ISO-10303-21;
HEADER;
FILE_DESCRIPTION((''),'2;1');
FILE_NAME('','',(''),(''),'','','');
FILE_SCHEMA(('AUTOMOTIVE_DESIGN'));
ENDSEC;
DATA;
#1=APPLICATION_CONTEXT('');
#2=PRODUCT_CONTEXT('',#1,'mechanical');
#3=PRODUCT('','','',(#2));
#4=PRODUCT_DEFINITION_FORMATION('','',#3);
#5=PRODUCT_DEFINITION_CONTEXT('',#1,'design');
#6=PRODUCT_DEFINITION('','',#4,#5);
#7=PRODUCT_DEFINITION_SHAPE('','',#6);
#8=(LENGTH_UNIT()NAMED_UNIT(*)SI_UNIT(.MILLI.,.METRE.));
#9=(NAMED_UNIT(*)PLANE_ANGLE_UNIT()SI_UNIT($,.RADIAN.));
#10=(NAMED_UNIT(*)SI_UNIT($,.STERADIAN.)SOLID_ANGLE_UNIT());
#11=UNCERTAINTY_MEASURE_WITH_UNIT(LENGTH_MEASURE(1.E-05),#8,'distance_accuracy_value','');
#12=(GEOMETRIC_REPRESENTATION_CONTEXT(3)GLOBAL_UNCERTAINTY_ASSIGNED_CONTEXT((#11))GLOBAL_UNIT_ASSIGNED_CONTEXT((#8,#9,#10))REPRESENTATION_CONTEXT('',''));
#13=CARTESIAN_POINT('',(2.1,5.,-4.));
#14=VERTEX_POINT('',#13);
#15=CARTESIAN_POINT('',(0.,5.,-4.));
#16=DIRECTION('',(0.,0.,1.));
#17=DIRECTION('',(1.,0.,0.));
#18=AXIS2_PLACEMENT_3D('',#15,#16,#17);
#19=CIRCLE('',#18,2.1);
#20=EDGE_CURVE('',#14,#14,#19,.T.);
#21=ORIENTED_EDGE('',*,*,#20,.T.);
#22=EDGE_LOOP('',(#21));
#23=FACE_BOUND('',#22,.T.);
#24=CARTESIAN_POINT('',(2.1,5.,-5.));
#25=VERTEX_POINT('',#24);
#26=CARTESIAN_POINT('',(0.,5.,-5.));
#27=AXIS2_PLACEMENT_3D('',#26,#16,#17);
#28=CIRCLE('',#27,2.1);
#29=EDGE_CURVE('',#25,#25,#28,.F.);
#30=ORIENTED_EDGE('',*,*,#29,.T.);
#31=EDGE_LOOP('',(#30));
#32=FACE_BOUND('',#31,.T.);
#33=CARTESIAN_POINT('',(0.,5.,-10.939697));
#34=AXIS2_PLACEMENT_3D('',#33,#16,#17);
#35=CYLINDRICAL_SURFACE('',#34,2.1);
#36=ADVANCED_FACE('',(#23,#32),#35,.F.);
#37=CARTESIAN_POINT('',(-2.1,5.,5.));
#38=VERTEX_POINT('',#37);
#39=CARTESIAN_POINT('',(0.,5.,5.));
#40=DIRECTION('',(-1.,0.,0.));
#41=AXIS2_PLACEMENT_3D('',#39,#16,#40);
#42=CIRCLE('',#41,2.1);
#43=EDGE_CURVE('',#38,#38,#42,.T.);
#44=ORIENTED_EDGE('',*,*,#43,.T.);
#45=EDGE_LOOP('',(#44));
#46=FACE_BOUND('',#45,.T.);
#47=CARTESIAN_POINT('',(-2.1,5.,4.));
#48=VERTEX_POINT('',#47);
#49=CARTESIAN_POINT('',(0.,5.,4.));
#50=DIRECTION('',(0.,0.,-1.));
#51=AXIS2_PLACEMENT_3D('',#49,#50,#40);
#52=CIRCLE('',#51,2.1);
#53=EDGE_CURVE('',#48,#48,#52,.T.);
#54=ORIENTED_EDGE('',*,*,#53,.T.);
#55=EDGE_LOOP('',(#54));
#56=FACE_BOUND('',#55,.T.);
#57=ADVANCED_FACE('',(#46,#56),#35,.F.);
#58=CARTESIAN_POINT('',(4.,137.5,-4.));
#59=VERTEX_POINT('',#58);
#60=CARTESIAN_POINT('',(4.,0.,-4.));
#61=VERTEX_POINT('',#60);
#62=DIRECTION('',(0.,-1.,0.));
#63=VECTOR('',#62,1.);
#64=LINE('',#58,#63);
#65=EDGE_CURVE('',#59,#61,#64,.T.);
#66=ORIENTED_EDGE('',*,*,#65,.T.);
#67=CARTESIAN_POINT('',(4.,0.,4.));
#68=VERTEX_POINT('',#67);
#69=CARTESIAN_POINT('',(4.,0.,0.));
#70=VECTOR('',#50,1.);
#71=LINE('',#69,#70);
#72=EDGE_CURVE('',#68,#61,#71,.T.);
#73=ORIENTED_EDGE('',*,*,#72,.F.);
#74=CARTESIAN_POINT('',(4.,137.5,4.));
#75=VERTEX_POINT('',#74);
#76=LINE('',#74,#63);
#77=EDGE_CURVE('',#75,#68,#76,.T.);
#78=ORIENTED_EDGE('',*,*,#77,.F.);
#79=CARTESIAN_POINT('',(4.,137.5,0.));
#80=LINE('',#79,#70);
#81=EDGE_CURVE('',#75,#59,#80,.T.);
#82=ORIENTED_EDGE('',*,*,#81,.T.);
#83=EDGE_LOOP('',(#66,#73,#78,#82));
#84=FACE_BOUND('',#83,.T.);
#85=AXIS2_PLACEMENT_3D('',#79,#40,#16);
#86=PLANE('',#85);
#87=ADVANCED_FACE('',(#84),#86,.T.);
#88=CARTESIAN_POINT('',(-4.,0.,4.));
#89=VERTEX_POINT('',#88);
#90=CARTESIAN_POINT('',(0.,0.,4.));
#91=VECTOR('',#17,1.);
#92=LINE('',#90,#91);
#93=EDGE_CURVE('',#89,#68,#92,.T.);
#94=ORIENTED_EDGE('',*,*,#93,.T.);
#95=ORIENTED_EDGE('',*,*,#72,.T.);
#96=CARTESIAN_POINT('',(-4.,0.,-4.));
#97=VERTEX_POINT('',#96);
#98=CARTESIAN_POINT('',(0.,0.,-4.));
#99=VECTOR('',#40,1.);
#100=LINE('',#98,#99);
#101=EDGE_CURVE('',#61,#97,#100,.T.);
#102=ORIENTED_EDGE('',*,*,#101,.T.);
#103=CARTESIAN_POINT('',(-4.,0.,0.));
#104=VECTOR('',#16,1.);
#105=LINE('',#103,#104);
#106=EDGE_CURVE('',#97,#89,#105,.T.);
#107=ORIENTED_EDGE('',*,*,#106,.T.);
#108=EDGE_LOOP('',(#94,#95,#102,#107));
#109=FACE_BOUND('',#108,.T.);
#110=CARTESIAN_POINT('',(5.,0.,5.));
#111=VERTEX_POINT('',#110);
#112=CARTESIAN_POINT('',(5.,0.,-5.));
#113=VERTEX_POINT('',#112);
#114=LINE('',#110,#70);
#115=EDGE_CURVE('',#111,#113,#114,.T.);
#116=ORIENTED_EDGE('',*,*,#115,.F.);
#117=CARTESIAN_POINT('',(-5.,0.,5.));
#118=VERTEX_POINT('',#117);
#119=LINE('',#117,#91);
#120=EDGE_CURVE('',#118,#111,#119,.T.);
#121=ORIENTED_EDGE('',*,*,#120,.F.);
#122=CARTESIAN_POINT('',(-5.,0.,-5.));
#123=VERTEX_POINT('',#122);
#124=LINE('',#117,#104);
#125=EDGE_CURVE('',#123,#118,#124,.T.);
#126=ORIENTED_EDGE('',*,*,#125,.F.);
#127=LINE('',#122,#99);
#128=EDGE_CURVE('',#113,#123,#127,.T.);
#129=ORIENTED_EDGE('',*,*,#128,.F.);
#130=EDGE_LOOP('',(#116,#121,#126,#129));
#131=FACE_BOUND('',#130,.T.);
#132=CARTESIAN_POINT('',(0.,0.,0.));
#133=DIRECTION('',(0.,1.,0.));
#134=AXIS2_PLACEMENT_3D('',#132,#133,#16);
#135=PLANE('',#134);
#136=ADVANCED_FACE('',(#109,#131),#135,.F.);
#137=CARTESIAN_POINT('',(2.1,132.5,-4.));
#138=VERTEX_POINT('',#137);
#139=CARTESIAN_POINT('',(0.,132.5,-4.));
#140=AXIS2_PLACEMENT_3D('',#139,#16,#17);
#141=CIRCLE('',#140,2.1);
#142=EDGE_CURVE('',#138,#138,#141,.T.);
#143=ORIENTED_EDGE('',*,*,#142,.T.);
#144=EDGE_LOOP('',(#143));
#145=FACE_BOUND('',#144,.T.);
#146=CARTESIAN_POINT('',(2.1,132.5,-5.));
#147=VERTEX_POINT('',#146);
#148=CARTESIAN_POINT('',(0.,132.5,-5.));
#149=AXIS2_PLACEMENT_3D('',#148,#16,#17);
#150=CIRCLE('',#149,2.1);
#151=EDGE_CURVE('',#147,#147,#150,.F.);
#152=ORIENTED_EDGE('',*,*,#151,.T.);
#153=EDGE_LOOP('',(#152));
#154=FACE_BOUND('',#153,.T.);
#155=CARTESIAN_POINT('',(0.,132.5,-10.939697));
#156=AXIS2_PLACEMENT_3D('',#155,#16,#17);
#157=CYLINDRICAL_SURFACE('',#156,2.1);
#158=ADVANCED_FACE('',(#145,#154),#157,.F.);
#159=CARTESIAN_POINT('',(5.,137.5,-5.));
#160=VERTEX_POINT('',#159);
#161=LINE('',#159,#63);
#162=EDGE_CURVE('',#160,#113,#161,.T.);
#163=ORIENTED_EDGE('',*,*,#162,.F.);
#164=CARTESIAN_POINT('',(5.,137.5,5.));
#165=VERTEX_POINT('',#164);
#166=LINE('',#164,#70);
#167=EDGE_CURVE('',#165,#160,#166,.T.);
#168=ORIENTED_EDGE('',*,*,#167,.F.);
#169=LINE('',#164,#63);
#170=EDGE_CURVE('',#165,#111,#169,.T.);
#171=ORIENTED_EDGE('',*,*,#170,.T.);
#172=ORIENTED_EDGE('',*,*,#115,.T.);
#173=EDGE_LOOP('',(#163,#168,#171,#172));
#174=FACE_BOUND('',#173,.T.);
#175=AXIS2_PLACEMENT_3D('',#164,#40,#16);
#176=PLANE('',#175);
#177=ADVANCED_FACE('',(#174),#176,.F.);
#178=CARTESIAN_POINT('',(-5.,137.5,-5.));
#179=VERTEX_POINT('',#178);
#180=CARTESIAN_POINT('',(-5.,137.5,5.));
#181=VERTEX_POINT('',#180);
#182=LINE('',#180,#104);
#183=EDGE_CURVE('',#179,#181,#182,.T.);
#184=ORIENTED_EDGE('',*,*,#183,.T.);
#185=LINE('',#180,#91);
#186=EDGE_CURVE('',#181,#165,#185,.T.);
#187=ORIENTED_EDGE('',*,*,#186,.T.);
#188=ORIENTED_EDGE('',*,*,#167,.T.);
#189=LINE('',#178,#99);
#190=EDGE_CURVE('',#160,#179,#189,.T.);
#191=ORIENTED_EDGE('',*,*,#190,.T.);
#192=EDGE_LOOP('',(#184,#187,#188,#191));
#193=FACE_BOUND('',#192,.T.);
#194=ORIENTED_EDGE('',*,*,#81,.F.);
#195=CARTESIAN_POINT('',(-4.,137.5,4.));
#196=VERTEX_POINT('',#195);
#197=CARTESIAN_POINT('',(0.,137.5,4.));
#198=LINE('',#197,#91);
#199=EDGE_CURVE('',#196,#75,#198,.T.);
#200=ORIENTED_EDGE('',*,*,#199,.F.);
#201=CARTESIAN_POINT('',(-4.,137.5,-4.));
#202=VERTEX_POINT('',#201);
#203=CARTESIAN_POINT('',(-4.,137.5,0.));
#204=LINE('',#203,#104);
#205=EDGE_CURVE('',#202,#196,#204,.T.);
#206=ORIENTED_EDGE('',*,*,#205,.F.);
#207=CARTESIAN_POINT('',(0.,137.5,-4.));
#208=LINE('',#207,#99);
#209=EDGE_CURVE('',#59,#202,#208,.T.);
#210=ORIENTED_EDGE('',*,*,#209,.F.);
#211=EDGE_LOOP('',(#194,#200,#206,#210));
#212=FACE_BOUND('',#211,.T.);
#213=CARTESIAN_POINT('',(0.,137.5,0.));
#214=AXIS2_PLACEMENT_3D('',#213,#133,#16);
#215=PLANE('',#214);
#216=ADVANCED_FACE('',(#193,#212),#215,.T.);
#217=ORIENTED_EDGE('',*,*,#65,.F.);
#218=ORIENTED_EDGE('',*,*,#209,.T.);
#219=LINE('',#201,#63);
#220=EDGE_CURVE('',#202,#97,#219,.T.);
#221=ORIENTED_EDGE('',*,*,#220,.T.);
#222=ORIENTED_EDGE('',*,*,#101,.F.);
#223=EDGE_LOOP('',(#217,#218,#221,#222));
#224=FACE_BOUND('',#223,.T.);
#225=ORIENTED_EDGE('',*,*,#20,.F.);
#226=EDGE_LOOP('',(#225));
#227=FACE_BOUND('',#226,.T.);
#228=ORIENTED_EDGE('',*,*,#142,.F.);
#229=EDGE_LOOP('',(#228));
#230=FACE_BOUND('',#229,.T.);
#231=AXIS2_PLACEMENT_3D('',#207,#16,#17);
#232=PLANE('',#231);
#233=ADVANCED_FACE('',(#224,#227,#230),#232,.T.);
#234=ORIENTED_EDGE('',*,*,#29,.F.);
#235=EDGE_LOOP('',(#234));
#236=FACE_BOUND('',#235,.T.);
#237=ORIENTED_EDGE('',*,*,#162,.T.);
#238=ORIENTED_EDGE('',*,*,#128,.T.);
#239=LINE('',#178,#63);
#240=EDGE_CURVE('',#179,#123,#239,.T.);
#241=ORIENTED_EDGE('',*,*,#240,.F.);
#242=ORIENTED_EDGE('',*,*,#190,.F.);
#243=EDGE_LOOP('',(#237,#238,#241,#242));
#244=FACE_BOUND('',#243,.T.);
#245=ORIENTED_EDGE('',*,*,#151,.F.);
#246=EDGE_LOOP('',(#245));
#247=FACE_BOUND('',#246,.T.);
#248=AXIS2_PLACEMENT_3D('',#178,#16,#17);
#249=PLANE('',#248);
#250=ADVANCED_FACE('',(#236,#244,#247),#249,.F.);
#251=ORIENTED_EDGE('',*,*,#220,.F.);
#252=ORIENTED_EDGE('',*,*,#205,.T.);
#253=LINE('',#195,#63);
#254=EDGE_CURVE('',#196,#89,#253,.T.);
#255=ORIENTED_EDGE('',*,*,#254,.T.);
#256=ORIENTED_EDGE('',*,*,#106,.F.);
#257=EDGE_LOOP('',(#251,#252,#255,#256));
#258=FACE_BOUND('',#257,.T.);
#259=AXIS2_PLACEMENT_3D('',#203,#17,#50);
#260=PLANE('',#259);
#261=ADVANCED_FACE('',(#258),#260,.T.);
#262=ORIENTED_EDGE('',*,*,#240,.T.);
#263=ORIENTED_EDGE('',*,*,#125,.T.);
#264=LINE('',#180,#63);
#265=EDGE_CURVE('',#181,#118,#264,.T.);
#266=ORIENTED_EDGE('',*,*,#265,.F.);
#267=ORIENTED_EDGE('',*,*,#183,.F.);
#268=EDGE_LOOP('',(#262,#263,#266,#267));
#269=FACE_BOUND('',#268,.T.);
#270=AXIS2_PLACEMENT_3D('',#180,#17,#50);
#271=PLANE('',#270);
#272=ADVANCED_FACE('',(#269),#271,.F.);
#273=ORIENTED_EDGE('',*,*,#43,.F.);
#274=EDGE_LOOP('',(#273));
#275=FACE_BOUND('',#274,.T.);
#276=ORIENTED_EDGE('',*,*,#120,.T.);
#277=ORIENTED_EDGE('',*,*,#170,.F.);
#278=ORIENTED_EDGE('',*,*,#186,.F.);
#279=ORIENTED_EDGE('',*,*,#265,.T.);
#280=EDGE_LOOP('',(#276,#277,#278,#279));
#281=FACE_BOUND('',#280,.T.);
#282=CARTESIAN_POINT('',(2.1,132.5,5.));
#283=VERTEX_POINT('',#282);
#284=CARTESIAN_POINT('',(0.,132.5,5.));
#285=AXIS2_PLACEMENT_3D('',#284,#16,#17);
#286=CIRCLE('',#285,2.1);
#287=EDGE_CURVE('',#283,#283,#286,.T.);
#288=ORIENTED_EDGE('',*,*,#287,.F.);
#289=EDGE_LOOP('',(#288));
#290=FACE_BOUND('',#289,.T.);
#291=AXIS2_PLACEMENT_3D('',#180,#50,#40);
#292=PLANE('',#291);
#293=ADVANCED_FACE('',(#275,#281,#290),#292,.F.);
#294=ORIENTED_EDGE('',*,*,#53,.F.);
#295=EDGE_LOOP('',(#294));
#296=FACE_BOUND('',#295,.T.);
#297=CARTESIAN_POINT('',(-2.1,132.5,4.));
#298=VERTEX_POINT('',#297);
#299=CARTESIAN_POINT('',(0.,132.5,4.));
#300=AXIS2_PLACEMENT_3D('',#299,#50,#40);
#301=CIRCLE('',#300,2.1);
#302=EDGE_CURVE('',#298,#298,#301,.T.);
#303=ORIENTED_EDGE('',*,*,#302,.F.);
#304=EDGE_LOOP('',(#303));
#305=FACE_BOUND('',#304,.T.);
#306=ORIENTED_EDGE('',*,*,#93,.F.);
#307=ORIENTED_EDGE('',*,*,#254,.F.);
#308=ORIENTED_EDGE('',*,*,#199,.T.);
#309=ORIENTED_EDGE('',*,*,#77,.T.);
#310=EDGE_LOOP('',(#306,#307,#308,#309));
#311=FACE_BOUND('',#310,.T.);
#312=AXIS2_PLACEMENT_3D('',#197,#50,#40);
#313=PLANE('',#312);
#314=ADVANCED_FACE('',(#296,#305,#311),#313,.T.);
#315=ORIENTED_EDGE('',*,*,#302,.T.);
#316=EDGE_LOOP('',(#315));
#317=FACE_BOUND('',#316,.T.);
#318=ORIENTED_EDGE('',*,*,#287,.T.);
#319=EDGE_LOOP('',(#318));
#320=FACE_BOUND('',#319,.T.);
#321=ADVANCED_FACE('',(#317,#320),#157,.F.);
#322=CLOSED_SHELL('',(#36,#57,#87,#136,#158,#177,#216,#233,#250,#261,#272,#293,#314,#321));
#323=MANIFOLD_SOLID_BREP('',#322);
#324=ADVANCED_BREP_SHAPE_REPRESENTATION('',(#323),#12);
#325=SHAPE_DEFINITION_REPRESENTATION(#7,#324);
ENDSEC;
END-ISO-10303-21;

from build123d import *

# Parameters (mm, degrees)
SKETCH_1_W          = 10
SKETCH_1_H          = 10
SKETCH_1_W_2        = 8
SKETCH_1_H_2        = 8
EXTRUDE_1_DEPTH     = 137.5
CUT_EXTRUDE_1_REACH = 139.954
SKETCH_2_R          = 2.1


with BuildPart() as part:
    # ｽｹｯﾁ1 → 押し出し-薄板1 (new body)
    with BuildSketch(Plane(origin=(0, 0, 0), x_dir=(1, 0, 0), z_dir=(0, 1, 0))):
        Rectangle(SKETCH_1_W, SKETCH_1_H)
        Rectangle(SKETCH_1_W_2, SKETCH_1_H_2, mode=Mode.SUBTRACT)
    extrude(amount=EXTRUDE_1_DEPTH)

    # ｶｯﾄ - 押し出し1: up to this face of the body (flat: up to its plane)
    cut_extrude_1_end = Plane(part.part.faces().sort_by_distance((0, 68.75, -5))[0])
    # ｽｹｯﾁ2 → ｶｯﾄ - 押し出し1 (cut, up to the picked face)
    with BuildSketch(Plane.XY.offset(5), mode=Mode.PRIVATE) as cut_extrude_1_sk1:
        with Locations((0, 132.5)):
            Circle(SKETCH_2_R)
    cut_extrude_1_tool1 = split(extrude(cut_extrude_1_sk1.sketch, amount=-CUT_EXTRUDE_1_REACH, mode=Mode.PRIVATE), bisect_by=cut_extrude_1_end, keep=Keep.BOTH, mode=Mode.PRIVATE)
    # ｽｹｯﾁ2 → ｶｯﾄ - 押し出し1 (cut, up to the picked face)
    with BuildSketch(Plane.XY.offset(5), mode=Mode.PRIVATE) as cut_extrude_1_sk2:
        with Locations(Location((0, 5, 0), (0, 0, 180))):
            Circle(SKETCH_2_R)
    cut_extrude_1_tool2 = split(extrude(cut_extrude_1_sk2.sketch, amount=-CUT_EXTRUDE_1_REACH, mode=Mode.PRIVATE), bisect_by=cut_extrude_1_end, keep=Keep.BOTH, mode=Mode.PRIVATE)
    add(cut_extrude_1_tool1.solids().sort_by(Axis((0, 132.5, 5), (0, 0, -1)))[0], mode=Mode.SUBTRACT)
    add(cut_extrude_1_tool2.solids().sort_by(Axis((0, 5, 5), (0, 0, -1)))[0], mode=Mode.SUBTRACT)


solid = part.part
